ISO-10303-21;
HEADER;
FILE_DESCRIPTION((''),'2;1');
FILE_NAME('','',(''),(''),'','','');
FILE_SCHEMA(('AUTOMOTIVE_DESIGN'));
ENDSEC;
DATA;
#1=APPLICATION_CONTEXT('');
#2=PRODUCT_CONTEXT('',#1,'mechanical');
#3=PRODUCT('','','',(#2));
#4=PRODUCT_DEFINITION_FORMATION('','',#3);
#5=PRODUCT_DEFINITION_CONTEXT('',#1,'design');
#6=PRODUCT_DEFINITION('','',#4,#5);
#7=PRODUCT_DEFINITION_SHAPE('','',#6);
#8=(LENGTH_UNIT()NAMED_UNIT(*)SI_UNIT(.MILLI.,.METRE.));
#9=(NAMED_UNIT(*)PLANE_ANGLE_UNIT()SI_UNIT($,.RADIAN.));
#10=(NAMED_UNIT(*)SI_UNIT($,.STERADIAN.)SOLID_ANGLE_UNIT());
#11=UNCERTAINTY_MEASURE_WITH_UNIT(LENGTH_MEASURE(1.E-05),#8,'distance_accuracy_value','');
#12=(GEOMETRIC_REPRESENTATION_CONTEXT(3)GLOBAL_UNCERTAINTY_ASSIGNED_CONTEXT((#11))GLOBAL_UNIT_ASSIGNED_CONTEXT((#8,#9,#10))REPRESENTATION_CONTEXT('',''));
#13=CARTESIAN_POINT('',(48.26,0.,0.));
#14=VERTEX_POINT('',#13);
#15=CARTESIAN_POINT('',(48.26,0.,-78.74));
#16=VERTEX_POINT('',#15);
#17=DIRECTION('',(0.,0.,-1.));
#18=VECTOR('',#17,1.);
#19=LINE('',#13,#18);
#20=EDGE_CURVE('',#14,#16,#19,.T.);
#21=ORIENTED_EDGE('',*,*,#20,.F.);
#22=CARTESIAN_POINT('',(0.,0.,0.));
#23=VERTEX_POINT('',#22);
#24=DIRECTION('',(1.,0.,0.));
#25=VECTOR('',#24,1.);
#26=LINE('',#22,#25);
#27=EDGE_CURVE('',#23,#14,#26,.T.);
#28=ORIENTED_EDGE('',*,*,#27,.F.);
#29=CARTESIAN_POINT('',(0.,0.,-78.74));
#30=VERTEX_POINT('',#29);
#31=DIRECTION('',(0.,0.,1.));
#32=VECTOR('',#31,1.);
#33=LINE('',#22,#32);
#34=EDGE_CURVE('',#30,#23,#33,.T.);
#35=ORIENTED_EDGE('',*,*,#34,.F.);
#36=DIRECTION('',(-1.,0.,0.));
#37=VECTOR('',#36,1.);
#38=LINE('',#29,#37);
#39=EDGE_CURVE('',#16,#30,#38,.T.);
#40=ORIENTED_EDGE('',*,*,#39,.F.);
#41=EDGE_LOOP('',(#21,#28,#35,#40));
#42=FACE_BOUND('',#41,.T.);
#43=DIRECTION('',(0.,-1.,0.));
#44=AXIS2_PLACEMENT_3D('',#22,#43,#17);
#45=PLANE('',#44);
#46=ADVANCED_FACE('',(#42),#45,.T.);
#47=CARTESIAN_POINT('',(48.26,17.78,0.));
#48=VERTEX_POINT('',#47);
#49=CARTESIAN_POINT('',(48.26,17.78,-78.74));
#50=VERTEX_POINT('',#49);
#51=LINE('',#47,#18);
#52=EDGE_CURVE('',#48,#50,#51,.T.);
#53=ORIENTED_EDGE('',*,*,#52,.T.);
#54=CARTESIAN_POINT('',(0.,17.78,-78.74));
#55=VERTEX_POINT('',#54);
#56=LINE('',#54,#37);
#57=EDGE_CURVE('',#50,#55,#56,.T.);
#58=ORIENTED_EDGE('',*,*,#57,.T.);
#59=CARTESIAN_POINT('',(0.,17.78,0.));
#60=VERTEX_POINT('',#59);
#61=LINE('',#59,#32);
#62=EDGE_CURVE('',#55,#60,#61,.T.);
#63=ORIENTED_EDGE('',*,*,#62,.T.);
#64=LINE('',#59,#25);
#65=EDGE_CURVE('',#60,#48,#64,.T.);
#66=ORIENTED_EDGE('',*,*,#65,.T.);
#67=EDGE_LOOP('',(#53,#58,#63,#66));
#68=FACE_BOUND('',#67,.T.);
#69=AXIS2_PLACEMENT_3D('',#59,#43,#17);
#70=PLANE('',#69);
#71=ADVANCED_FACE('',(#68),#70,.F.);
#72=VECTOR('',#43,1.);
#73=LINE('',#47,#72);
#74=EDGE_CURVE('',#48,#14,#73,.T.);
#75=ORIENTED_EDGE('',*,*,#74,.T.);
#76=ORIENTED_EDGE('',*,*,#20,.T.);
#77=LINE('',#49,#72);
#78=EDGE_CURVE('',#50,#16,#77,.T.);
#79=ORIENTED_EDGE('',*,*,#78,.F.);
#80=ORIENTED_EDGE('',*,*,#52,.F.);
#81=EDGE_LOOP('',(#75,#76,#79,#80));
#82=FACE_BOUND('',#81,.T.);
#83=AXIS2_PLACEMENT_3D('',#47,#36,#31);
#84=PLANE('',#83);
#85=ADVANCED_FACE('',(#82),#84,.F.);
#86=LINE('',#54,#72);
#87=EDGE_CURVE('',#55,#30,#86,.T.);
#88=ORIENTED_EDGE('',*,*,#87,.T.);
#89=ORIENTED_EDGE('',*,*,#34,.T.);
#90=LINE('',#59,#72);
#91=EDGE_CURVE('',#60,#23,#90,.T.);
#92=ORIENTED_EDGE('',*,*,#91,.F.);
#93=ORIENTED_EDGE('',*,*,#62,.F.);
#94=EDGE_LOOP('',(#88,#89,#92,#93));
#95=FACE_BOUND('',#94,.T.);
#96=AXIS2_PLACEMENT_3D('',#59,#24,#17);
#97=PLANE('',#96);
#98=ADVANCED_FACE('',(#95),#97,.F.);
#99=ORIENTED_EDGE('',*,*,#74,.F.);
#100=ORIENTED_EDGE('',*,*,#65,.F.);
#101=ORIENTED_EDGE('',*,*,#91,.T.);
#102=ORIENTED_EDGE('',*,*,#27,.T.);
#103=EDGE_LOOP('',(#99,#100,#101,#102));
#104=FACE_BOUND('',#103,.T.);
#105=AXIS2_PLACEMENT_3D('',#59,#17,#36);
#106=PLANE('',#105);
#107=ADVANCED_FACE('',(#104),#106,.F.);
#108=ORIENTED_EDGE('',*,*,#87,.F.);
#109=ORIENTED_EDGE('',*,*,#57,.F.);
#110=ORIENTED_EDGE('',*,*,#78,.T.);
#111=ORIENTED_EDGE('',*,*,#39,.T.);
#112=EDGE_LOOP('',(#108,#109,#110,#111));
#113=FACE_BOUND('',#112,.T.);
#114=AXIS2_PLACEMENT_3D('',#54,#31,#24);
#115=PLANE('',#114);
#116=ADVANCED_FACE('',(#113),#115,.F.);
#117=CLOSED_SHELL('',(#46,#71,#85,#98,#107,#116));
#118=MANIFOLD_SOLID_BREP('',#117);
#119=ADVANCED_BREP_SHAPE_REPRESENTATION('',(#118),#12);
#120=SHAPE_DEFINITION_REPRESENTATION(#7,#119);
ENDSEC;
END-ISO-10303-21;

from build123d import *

# Parameters (mm, degrees)
SKETCH1_W           = 48.26
SKETCH1_H           = 78.74
BOSS_EXTRUDE1_DEPTH = 17.78


with BuildPart() as part:
    # Sketch1 → Boss-Extrude1 (new body)
    with BuildSketch(Plane(origin=(0, 0, 0), x_dir=(1, 0, 0), z_dir=(0, 1, 0))):
        with Locations((24.13, 39.37)):
            Rectangle(SKETCH1_W, SKETCH1_H)
    extrude(amount=BOSS_EXTRUDE1_DEPTH)


solid = part.part
